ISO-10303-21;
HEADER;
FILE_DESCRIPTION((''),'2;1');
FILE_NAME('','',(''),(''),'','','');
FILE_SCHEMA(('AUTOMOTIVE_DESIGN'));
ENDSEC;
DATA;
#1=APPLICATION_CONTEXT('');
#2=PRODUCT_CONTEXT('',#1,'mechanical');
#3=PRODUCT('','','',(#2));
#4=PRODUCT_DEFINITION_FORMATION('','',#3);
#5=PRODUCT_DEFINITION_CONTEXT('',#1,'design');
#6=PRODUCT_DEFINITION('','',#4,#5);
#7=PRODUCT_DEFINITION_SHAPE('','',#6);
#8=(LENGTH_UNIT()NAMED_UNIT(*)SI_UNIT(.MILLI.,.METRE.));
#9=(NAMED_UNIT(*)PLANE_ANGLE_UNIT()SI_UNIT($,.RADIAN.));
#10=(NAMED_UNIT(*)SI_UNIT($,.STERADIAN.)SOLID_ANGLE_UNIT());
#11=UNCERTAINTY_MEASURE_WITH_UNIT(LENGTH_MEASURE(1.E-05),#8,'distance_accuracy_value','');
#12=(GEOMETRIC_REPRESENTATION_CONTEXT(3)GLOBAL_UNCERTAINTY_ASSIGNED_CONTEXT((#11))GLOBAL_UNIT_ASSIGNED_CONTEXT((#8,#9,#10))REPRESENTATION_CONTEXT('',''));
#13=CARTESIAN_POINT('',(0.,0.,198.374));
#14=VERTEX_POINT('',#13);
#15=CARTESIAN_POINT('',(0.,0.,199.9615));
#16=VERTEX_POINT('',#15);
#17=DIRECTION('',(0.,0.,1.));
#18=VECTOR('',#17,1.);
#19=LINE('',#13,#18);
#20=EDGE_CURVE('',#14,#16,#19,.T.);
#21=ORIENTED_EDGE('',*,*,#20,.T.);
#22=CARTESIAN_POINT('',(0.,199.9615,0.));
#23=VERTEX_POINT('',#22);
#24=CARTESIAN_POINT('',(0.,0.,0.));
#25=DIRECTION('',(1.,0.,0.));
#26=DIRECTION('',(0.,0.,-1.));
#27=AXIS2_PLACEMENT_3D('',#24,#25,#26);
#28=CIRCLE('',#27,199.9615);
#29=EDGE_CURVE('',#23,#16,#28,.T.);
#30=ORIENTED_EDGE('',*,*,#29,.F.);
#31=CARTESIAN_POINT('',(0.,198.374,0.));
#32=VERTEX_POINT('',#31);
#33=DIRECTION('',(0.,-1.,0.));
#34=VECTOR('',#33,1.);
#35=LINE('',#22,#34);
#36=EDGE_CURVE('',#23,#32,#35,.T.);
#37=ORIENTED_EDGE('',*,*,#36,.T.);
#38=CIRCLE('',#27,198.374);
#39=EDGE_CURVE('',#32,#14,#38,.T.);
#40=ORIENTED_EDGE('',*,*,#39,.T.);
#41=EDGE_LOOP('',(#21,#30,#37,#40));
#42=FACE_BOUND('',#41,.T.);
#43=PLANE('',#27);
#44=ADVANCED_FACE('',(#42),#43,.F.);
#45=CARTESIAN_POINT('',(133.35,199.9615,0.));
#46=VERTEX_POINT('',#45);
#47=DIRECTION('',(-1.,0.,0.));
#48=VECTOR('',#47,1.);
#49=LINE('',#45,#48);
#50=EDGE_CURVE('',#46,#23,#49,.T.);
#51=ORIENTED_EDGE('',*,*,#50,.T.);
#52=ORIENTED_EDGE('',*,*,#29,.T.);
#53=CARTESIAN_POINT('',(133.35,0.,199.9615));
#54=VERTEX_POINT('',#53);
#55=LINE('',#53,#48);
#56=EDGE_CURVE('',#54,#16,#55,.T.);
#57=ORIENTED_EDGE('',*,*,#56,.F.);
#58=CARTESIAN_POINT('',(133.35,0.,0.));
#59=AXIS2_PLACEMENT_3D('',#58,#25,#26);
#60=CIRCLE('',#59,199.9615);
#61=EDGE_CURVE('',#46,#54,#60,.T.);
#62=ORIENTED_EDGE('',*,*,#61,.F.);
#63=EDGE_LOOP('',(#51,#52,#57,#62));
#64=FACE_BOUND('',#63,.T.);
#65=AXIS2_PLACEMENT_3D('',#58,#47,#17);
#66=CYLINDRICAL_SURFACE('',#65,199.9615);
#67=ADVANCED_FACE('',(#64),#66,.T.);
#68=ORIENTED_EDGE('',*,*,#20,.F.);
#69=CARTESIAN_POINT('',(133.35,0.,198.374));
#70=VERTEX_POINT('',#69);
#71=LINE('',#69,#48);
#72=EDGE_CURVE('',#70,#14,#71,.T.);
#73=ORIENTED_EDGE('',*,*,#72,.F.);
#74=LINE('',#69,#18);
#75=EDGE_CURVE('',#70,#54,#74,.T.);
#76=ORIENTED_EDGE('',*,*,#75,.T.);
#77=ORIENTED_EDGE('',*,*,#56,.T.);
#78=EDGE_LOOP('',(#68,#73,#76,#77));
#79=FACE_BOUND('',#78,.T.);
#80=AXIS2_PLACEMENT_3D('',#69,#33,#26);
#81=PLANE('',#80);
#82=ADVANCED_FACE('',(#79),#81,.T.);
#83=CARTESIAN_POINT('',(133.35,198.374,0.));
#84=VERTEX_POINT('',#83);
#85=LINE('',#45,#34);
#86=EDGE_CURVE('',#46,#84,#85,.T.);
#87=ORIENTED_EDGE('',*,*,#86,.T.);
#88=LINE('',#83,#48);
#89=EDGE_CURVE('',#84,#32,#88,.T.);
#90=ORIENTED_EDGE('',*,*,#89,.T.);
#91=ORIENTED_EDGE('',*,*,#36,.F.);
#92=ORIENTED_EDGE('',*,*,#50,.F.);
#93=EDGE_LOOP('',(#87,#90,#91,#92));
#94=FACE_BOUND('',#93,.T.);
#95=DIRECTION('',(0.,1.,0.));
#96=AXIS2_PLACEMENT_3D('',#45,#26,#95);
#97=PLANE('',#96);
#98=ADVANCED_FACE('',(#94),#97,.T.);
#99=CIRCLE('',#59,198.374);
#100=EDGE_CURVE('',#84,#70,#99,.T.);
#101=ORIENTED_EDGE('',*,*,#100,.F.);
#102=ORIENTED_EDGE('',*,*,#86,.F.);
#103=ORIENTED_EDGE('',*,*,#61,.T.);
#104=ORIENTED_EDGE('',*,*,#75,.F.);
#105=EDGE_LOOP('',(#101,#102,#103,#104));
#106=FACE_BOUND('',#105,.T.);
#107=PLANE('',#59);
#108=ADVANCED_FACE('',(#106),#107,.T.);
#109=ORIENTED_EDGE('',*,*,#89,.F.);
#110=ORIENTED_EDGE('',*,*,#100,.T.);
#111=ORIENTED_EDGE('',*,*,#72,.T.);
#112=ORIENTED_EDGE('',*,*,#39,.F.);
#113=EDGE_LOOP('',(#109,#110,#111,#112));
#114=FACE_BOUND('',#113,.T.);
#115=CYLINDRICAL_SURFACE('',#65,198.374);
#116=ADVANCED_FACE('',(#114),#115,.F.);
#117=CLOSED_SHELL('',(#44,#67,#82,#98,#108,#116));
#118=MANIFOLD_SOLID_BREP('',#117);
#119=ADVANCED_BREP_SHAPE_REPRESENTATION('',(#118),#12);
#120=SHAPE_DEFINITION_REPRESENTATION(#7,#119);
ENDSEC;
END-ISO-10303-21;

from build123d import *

# Parameters (mm, degrees)
EXTRUDE_THIN1_DEPTH = 133.35


with BuildPart() as part:
    # Sketch1 → Extrude-Thin1 (new body)
    with BuildSketch(Plane(origin=(0, 0, 0), x_dir=(0, 0, -1), z_dir=(1, 0, 0))):
        with BuildLine():
            ThreePointArc((0, 198.374), (-140.271600611, 140.271600611), (-198.374, 0))
            Line((-198.374, 0), (-199.9615, 0))
            ThreePointArc((-199.9615, 0), (-141.394132626, 141.394132626), (0, 199.9615))
            Line((0, 199.9615), (0, 198.374))
        make_face()
    extrude(amount=EXTRUDE_THIN1_DEPTH)


solid = part.part
